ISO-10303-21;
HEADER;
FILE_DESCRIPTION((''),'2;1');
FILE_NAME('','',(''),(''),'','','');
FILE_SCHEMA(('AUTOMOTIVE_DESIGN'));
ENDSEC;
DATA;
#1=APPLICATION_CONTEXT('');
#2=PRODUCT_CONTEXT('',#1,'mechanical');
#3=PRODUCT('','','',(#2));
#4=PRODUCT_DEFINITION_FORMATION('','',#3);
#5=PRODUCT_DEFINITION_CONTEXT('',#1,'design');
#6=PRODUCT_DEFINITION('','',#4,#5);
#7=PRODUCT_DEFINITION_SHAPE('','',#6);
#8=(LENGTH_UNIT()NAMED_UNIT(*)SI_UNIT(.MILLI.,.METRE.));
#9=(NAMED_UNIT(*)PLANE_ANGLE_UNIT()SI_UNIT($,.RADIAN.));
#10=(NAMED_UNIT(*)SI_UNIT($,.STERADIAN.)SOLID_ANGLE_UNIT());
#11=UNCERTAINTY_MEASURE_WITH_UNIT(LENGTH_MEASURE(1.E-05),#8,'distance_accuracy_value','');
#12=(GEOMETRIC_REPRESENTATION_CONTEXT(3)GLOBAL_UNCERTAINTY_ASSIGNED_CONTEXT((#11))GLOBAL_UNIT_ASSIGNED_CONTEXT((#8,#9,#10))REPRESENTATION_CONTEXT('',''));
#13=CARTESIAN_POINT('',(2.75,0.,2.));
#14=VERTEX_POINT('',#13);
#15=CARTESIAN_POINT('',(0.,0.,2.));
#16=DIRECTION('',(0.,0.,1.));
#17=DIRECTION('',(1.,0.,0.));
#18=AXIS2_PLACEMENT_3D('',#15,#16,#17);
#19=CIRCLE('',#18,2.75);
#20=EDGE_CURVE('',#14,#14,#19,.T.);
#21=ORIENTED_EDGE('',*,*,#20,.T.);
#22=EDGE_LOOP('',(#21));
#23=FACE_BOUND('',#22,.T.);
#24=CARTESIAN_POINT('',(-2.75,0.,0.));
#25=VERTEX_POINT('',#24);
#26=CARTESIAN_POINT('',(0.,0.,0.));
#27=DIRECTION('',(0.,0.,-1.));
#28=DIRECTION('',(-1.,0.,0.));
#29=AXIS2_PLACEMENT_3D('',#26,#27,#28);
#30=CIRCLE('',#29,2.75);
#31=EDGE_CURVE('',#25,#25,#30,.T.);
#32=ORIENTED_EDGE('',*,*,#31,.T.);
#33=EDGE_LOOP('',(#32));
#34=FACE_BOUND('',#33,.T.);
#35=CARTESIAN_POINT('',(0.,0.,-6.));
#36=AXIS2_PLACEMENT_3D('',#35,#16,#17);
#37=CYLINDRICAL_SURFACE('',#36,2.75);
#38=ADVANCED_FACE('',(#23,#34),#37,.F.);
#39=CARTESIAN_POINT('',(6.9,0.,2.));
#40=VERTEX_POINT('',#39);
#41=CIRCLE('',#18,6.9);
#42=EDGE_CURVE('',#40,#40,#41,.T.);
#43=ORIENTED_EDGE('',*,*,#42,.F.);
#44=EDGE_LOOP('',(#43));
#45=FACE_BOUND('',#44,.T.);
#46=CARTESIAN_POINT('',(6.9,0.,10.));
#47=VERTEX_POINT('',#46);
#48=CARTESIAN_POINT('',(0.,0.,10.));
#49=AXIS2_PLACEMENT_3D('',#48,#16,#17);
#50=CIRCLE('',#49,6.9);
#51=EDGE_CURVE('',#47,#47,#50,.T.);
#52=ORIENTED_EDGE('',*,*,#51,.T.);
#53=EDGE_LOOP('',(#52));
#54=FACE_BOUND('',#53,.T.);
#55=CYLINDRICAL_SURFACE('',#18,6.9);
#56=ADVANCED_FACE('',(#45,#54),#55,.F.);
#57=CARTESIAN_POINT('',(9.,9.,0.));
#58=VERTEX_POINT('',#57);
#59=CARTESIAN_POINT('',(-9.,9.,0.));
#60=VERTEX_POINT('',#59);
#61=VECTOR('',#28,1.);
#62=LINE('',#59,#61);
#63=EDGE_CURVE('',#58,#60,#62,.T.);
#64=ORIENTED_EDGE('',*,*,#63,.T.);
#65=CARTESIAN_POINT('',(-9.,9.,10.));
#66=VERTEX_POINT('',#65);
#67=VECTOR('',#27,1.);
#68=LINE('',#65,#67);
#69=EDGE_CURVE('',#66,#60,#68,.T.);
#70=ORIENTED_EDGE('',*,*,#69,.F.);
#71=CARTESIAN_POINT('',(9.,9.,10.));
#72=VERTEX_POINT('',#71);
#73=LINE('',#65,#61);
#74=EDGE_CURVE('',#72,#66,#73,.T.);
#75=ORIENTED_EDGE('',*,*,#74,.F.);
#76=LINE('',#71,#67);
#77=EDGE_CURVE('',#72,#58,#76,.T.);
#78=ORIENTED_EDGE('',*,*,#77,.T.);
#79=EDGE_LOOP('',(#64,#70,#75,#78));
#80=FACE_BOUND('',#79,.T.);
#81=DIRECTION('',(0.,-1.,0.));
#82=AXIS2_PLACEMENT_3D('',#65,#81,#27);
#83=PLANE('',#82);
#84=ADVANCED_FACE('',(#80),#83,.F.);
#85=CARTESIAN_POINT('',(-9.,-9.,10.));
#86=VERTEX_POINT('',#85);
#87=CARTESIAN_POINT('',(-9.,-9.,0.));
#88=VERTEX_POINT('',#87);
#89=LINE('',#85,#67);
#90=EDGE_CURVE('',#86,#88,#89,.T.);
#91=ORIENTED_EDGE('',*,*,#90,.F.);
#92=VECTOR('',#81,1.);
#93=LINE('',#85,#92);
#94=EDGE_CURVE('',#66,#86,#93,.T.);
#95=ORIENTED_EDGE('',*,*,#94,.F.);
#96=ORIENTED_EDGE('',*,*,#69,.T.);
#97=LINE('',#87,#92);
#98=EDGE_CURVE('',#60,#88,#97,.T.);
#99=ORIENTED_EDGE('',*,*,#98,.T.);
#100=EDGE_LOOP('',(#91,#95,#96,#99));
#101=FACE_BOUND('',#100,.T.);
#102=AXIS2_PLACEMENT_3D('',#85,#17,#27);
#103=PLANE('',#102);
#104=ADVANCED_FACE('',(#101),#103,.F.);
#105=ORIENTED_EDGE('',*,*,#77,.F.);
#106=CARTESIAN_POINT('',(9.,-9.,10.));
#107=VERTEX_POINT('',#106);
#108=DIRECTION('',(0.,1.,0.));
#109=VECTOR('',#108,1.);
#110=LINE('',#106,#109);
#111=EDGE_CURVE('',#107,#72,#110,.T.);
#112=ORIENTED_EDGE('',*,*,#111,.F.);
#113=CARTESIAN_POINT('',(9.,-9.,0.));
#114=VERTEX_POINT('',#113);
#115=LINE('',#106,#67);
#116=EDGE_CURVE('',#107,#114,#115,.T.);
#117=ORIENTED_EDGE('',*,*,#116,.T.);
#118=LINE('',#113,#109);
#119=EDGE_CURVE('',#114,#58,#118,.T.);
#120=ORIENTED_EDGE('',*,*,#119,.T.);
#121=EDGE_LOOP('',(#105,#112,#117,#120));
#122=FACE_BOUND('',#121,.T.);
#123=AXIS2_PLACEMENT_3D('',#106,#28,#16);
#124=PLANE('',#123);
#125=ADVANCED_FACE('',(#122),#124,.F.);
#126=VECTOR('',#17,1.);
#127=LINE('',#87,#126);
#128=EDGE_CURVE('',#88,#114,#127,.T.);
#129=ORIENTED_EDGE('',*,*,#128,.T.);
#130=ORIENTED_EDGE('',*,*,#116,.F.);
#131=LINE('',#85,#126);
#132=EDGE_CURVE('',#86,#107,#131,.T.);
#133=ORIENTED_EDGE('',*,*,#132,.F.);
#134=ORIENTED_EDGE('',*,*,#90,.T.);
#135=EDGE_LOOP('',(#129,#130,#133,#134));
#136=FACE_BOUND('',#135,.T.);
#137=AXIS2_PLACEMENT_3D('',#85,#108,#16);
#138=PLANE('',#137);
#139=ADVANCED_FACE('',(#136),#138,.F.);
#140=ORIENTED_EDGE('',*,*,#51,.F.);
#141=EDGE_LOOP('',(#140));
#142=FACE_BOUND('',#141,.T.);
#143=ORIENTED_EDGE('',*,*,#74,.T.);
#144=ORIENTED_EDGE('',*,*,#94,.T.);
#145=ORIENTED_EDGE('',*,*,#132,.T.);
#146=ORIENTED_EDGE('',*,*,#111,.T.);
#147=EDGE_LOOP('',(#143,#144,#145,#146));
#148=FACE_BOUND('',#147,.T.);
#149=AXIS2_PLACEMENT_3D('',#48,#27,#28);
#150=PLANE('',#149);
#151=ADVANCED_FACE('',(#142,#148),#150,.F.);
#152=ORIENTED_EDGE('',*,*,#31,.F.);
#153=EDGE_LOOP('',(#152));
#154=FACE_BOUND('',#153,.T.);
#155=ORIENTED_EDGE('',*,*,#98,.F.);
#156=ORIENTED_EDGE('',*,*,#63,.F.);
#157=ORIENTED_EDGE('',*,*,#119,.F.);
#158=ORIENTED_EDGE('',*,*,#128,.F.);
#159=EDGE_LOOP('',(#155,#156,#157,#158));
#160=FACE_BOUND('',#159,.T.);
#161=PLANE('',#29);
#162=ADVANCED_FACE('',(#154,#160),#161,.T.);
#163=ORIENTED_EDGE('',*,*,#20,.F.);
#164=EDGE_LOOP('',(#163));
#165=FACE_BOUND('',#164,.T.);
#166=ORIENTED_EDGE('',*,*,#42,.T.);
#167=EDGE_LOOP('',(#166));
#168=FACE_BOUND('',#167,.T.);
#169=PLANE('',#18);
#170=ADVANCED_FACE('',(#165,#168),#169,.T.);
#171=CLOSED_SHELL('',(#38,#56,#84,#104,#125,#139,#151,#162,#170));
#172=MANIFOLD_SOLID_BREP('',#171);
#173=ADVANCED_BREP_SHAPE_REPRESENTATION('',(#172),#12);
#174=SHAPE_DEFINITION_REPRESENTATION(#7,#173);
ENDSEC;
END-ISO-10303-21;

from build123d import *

# Parameters (mm, degrees)
CROQUIS1_W              = 18
CROQUIS1_H              = 18
SALIENTE_EXTRUIR1_DEPTH = 10
CROQUIS2_R              = 6.9
CORTAR_EXTRUIR1_DEPTH   = 8
CROQUIS3_R              = 2.75
CORTAR_EXTRUIR2_DEPTH   = 8


with BuildPart() as part:
    # Croquis1 → Saliente-Extruir1 (new body)
    with BuildSketch(Plane.XY):
        Rectangle(CROQUIS1_W, CROQUIS1_H)
    extrude(amount=SALIENTE_EXTRUIR1_DEPTH)

    # Croquis2 → Cortar-Extruir1 (cut)
    with BuildSketch(Plane.XY.offset(10)):
        Circle(CROQUIS2_R)
    extrude(amount=-CORTAR_EXTRUIR1_DEPTH, mode=Mode.SUBTRACT)

    # Croquis3 → Cortar-Extruir2 (cut)
    with BuildSketch(Plane.XY.offset(2)):
        Circle(CROQUIS3_R)
    extrude(amount=-CORTAR_EXTRUIR2_DEPTH, mode=Mode.SUBTRACT)


solid = part.part
